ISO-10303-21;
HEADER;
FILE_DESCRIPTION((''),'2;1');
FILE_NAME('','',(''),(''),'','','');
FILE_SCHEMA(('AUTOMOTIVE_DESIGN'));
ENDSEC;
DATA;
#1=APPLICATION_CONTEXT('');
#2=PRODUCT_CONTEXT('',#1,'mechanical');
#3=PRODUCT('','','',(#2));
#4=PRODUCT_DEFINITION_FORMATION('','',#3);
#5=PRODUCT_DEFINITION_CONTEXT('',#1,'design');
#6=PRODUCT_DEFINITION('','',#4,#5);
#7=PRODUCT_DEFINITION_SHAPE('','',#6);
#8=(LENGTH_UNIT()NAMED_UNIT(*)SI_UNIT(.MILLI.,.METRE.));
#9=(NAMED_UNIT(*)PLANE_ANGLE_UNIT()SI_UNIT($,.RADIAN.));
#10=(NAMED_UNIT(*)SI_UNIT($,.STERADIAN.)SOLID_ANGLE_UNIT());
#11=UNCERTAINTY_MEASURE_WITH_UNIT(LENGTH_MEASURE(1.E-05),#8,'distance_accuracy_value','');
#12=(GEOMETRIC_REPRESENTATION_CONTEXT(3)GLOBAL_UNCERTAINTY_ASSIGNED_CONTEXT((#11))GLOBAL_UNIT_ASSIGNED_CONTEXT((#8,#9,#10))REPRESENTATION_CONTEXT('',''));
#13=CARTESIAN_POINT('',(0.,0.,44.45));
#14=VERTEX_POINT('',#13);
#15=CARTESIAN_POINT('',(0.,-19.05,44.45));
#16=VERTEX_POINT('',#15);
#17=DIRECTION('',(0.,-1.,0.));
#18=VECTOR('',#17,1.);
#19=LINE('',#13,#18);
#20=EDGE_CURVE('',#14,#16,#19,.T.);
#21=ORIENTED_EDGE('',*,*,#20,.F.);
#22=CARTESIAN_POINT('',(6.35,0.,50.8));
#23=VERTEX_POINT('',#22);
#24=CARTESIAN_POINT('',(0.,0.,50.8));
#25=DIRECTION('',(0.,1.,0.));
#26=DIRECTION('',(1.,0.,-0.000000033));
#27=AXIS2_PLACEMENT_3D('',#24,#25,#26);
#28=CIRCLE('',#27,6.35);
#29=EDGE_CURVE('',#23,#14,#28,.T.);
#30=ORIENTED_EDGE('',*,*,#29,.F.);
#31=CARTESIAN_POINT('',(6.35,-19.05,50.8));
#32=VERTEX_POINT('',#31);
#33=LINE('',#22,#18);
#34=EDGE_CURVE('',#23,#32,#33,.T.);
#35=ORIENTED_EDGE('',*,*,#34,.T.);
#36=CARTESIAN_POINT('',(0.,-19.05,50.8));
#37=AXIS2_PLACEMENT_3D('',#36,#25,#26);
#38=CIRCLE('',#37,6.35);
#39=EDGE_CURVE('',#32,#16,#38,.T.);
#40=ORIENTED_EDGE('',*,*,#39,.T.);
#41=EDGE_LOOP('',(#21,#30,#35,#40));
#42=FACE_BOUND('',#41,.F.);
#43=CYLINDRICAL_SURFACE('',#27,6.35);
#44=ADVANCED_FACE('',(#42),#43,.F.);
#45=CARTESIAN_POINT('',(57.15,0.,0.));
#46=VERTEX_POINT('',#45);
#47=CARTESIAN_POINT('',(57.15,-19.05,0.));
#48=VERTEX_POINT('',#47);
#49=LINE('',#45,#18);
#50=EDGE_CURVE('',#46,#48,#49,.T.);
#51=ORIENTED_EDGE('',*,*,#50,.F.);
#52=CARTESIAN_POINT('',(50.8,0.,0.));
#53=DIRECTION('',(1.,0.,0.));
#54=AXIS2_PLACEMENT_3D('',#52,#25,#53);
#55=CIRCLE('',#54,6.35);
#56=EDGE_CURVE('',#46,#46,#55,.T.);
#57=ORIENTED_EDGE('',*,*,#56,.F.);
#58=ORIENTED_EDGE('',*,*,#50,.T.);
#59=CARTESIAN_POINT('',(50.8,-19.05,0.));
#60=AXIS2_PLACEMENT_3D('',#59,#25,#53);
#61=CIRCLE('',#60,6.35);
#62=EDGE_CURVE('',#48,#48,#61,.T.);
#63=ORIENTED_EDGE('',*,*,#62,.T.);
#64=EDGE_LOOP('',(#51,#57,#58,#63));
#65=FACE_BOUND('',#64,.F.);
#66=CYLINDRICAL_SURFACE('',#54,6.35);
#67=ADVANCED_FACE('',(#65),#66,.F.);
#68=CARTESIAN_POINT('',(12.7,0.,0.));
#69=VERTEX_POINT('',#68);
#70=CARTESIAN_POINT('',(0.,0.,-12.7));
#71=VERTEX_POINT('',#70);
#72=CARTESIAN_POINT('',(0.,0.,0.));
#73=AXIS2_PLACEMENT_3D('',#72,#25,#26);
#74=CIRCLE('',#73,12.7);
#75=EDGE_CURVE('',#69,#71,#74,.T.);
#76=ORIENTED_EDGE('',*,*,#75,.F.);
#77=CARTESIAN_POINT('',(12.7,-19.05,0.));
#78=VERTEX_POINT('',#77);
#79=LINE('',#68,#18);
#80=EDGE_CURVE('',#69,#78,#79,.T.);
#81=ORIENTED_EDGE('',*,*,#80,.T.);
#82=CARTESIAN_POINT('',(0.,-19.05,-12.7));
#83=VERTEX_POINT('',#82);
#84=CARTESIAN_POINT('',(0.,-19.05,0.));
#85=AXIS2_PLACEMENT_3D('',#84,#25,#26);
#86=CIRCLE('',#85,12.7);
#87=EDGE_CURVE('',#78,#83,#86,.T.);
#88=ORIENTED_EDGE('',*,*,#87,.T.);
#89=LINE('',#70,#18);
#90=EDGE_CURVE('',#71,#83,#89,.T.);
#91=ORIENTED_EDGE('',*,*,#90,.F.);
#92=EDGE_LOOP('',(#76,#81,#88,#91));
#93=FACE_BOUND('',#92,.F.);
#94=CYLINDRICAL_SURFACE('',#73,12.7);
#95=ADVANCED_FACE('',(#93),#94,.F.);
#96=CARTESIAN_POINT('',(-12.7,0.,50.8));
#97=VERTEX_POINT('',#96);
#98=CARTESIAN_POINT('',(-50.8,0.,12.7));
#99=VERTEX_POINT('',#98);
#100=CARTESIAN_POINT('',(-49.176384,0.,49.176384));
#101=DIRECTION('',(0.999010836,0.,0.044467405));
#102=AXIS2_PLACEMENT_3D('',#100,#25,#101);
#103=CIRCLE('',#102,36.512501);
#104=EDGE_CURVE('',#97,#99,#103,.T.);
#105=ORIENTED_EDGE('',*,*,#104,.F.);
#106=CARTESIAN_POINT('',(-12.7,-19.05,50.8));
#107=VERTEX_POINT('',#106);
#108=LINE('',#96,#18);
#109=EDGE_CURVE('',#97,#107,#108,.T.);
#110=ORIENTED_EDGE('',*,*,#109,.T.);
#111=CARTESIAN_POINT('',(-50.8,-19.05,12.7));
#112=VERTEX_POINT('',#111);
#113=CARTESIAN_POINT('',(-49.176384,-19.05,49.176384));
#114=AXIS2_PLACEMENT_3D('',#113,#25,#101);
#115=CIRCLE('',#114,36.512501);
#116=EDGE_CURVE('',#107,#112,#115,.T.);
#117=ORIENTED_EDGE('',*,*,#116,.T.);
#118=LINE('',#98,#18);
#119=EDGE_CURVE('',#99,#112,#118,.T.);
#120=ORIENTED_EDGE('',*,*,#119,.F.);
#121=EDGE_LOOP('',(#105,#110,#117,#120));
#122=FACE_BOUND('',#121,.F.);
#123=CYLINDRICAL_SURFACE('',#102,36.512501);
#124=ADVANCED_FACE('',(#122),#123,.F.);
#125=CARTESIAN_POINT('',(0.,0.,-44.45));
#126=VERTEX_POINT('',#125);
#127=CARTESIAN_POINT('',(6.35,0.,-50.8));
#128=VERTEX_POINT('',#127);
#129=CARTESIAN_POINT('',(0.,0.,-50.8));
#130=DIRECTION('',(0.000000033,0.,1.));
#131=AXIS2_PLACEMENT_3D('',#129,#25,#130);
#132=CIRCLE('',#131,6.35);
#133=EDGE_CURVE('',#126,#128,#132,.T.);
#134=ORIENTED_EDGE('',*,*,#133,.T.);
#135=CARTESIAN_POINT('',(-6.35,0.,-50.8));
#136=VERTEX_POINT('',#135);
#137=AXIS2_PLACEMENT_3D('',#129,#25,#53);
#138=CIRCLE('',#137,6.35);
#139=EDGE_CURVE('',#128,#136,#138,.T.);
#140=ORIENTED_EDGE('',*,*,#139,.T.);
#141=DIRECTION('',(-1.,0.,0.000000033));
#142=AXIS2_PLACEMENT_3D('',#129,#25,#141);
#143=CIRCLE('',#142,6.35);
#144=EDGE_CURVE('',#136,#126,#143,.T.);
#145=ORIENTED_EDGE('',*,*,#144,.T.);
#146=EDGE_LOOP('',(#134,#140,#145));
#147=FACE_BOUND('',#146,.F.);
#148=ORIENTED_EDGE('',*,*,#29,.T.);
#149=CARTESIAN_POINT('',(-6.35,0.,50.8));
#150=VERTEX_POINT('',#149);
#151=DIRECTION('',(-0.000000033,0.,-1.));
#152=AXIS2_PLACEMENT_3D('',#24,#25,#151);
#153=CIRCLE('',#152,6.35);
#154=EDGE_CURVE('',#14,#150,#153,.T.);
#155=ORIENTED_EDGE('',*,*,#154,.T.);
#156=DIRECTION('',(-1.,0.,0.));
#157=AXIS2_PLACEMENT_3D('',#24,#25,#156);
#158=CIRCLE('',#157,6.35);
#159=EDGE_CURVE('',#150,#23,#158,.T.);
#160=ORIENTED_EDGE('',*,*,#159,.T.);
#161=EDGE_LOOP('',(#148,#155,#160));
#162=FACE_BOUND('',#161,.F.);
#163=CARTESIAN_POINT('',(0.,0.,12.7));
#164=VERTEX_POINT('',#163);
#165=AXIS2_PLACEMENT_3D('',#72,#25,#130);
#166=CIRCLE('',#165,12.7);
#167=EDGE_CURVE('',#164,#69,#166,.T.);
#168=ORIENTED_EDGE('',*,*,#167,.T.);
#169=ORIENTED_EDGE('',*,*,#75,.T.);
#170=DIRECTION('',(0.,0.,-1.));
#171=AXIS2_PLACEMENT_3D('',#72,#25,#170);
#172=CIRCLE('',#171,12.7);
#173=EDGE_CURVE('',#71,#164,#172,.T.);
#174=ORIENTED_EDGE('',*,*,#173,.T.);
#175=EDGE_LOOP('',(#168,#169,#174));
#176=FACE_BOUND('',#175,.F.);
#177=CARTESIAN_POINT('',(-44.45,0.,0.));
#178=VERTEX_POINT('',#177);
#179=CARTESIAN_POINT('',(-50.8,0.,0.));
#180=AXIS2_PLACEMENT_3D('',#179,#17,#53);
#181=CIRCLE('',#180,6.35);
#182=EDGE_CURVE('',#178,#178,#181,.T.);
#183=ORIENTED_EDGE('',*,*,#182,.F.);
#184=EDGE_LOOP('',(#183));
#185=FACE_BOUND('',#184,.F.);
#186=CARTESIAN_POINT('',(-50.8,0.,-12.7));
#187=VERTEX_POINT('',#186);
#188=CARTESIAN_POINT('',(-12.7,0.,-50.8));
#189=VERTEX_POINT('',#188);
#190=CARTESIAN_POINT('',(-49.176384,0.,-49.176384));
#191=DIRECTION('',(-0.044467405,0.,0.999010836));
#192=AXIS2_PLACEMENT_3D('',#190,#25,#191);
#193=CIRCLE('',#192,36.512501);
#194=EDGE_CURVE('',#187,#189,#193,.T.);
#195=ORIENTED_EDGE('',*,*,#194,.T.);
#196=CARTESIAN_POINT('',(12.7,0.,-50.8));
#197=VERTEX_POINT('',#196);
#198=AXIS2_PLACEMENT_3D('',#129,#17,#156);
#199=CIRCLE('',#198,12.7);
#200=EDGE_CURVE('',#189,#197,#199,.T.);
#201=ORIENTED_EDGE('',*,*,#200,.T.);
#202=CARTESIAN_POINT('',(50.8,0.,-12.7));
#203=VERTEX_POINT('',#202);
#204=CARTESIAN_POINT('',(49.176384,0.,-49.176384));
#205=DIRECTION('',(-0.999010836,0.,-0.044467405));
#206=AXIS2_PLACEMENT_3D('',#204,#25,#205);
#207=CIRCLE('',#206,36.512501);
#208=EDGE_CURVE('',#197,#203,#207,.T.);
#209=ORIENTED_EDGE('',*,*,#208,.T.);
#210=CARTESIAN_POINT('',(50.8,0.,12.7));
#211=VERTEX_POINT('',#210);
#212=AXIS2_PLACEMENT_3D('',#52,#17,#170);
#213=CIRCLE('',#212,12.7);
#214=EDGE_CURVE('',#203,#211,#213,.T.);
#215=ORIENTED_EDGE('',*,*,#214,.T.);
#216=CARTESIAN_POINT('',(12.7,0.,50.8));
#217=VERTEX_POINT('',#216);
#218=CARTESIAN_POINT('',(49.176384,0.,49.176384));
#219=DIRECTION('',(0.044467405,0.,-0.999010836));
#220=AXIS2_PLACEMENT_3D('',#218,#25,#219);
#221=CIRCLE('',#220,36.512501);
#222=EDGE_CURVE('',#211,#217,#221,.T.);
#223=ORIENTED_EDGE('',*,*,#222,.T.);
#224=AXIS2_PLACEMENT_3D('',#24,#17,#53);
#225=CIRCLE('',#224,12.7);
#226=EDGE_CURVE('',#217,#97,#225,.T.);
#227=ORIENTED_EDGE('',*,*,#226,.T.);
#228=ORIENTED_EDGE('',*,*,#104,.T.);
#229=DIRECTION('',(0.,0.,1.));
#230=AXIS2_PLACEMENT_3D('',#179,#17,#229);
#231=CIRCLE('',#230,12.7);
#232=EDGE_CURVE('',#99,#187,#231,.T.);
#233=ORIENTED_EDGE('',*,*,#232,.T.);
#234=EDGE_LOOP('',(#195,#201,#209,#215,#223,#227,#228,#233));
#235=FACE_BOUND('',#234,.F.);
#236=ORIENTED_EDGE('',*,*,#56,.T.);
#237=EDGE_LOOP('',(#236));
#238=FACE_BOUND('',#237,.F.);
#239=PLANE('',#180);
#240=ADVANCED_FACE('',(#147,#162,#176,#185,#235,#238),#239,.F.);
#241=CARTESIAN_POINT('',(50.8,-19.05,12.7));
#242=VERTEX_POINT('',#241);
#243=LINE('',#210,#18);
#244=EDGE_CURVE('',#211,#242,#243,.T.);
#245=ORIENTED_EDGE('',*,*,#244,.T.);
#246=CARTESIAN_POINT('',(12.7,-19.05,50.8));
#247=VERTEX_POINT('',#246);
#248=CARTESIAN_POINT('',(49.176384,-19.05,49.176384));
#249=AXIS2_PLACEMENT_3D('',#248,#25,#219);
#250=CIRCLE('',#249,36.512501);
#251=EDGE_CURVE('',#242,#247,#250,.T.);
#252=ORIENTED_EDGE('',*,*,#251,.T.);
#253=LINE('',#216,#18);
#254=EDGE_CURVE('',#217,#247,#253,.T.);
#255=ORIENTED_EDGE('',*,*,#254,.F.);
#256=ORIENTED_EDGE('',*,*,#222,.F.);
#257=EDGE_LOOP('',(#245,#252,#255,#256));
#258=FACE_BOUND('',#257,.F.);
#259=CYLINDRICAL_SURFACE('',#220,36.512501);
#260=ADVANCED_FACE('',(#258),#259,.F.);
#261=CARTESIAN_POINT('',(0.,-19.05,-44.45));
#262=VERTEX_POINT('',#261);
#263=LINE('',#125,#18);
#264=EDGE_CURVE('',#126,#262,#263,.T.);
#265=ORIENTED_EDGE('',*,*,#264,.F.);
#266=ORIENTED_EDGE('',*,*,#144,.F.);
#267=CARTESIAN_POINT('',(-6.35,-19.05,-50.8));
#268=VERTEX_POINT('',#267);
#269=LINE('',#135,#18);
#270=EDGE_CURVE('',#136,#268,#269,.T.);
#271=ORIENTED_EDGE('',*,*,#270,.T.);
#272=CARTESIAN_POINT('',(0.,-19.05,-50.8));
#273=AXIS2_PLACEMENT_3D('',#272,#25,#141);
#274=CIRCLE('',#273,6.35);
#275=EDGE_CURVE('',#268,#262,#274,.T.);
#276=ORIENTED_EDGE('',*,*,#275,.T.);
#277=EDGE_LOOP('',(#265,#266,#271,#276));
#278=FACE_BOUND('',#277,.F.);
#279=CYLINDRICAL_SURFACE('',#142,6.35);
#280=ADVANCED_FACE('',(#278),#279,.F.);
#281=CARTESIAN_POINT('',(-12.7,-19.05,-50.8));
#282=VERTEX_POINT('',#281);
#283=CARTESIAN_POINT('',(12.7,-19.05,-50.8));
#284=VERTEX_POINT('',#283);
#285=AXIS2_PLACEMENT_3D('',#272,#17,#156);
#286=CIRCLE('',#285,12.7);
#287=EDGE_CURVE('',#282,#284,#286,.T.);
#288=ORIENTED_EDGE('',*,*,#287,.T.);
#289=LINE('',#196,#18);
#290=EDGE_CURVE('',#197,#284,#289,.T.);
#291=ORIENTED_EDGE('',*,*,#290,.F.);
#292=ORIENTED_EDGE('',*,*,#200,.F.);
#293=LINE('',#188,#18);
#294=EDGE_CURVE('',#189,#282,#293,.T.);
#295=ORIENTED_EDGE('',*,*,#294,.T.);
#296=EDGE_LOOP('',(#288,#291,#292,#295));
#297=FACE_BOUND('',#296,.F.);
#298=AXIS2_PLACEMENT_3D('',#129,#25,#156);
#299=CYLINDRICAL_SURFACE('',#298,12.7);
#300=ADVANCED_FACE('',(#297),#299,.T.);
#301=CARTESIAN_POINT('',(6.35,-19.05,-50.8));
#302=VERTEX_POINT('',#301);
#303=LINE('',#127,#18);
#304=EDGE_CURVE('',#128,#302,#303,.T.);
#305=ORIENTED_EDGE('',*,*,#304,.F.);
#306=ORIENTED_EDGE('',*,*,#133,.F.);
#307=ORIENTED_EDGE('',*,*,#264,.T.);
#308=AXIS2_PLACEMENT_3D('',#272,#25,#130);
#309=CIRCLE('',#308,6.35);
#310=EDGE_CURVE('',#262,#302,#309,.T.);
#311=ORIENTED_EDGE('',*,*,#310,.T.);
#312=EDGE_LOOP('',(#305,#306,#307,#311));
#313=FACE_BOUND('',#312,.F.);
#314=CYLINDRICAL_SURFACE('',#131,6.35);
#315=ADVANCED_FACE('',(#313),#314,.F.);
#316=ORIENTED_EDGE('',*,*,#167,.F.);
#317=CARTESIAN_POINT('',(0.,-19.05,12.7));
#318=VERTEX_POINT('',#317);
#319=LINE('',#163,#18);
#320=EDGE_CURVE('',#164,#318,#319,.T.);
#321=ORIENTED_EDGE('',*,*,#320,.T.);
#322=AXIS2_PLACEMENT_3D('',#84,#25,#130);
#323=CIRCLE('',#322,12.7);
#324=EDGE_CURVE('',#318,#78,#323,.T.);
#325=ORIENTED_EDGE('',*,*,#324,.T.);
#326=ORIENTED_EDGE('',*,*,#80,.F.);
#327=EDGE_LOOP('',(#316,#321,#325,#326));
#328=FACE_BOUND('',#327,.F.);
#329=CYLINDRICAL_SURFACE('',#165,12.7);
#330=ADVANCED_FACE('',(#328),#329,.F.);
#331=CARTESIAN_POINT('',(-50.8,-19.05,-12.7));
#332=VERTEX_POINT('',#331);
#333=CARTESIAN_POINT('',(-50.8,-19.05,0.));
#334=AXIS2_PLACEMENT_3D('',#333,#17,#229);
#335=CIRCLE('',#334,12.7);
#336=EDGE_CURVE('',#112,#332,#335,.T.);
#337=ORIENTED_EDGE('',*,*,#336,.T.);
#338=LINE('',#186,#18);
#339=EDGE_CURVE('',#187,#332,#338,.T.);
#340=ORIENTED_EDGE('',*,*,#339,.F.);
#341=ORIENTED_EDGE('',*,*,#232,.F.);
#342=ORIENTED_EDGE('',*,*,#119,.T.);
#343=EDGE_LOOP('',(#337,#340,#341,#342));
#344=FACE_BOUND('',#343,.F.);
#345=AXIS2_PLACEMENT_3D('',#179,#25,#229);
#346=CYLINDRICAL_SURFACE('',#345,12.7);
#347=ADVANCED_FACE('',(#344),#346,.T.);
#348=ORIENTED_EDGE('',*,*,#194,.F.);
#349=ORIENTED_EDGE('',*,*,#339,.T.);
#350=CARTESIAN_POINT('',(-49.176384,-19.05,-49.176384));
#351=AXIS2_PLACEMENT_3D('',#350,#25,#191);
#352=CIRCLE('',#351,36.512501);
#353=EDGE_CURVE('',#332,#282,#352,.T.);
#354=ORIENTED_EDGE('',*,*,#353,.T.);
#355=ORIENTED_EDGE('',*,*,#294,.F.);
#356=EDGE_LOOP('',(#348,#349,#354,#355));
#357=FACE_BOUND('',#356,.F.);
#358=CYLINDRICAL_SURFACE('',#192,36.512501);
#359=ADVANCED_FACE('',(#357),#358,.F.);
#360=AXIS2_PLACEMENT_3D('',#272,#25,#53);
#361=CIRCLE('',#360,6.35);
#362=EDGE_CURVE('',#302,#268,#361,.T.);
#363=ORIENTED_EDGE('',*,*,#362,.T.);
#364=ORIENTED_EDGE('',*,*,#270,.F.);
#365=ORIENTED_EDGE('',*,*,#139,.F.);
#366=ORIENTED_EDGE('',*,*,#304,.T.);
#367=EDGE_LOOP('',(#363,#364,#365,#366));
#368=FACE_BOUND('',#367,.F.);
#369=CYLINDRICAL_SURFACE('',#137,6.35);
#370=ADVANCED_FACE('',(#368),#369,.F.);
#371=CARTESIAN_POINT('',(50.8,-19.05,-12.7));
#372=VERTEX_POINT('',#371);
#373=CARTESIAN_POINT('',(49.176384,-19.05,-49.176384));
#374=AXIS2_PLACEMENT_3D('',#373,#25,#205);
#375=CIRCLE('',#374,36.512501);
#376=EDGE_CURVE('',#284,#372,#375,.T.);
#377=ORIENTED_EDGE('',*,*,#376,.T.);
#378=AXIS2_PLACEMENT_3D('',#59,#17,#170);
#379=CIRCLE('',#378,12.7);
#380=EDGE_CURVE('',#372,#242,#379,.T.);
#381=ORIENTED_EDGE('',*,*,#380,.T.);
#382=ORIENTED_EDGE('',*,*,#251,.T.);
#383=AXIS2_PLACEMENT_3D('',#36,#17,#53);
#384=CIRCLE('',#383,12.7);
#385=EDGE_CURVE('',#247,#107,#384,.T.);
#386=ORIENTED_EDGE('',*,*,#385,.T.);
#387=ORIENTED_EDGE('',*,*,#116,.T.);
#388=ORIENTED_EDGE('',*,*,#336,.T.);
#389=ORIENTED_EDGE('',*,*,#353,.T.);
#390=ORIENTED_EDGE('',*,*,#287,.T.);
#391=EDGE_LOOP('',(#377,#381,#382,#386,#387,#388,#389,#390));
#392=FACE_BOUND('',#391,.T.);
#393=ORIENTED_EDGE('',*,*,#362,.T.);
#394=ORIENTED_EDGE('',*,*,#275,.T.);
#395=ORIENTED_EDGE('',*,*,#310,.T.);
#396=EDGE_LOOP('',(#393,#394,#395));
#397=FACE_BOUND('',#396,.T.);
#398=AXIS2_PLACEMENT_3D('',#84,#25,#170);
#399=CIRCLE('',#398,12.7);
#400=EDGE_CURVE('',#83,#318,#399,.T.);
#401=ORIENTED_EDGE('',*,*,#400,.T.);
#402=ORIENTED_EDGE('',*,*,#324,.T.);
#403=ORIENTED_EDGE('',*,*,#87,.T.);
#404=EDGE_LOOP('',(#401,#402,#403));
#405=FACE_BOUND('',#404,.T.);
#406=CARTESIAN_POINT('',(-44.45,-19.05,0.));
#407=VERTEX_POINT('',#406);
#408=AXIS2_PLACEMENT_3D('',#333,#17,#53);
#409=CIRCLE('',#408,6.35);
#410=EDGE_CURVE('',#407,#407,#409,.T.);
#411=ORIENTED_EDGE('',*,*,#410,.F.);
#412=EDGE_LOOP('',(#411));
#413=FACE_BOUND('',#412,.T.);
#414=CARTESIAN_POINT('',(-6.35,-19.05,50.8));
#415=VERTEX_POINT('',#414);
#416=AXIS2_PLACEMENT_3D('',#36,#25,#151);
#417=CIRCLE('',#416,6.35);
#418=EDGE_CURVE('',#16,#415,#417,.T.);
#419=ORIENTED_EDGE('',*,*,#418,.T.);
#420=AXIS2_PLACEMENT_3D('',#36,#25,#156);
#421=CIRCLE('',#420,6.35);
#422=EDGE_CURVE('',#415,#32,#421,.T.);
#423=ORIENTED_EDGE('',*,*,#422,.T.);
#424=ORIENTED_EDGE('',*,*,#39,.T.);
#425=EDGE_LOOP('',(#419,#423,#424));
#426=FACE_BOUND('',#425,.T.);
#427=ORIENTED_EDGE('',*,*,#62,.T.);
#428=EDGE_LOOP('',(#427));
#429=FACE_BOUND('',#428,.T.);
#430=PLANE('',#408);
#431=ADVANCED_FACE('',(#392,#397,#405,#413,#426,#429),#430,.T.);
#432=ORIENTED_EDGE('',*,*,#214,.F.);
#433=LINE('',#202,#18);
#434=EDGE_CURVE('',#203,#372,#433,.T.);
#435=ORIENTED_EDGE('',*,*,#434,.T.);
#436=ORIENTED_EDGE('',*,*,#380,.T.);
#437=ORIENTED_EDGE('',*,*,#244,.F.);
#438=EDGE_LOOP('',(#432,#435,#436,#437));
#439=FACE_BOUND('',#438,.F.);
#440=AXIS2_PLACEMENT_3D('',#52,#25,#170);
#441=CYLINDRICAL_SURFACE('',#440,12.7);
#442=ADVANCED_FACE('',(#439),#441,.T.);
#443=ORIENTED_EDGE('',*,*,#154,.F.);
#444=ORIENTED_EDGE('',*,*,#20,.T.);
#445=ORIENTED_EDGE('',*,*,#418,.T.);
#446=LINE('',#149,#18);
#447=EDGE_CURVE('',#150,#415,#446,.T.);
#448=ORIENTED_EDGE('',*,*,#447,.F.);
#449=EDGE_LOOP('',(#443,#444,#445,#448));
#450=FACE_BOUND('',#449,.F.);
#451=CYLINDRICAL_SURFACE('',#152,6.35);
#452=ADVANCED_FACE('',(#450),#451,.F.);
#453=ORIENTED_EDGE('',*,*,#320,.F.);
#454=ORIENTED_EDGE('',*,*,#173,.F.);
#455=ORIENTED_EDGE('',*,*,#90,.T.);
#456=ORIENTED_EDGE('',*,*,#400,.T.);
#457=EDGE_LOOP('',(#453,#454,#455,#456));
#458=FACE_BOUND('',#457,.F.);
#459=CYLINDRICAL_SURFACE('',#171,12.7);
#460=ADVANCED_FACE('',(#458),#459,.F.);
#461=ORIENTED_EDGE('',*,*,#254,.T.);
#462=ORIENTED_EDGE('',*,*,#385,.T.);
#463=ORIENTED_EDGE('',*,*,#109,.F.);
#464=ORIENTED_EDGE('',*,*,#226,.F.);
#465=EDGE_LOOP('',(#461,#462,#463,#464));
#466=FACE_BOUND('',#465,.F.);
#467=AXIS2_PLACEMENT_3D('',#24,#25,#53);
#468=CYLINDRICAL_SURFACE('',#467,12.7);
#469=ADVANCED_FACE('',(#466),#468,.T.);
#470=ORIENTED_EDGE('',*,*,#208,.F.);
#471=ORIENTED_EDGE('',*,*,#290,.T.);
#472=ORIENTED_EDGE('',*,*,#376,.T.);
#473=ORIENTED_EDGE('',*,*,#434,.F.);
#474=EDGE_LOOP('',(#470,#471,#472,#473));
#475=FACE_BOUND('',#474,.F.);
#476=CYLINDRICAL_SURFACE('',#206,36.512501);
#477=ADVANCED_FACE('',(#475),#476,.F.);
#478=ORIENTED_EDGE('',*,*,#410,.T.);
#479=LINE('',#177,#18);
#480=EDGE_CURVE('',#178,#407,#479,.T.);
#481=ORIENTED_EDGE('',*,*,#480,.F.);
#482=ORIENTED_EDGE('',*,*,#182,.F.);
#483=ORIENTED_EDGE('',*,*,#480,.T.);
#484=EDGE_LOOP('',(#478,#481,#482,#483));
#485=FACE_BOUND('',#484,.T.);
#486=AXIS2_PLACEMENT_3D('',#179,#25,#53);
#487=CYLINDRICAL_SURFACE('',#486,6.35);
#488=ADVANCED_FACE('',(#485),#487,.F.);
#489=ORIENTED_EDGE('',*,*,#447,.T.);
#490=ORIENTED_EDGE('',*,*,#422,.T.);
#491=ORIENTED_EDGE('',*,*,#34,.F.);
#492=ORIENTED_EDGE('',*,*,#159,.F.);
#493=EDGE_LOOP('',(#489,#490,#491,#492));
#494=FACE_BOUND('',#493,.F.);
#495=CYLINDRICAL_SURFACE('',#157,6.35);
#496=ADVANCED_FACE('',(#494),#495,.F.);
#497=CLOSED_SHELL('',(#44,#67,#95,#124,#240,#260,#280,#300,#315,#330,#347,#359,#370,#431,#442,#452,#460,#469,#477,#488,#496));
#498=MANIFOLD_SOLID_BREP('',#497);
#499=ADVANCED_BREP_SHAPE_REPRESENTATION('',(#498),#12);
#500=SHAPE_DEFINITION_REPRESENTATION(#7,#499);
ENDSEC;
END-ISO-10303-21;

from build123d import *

# Parameters (mm, degrees)
F0_R     = 6.35
F1_DEPTH = 19.05


with BuildPart() as f1:
    # F0 (on Front) → F1 (new body)
    with BuildSketch(Plane.XZ):
        with Locations((-50.8, 0)):
            Circle(F0_R)
        with BuildLine():
            ThreePointArc((44.45, 0), (50.8, -6.35), (57.15, 0))
            ThreePointArc((57.15, 0), (50.8, 6.35), (44.45, 0))
        make_face()
        with BuildLine():
            ThreePointArc((-12.7, 50.8), (-23.358147, 23.358147), (-50.8, 12.7))
            ThreePointArc((-50.8, 12.7), (-63.5, 0), (-50.8, -12.7))
            ThreePointArc((-50.8, -12.7), (-23.358147, -23.358147), (-12.7, -50.8))
            ThreePointArc((-12.7, -50.8), (0, -63.5), (12.7, -50.8))
            ThreePointArc((12.7, -50.8), (23.358147, -23.358147), (50.8, -12.7))
            ThreePointArc((50.8, -12.7), (63.5, 0), (50.8, 12.7))
            ThreePointArc((50.8, 12.7), (23.358147, 23.358147), (12.7, 50.8))
            ThreePointArc((12.7, 50.8), (0, 63.5), (-12.7, 50.8))
        make_face()
        with BuildLine():
            ThreePointArc((-6.35, -50.8), (-4.490128, -46.309872), (0, -44.45))
            ThreePointArc((0, -44.45), (4.490128, -46.309872), (6.35, -50.8))
            ThreePointArc((6.35, -50.8), (0, -57.15), (-6.35, -50.8))
        make_face(mode=Mode.SUBTRACT)
        with Locations((-50.8, 0)):
            Circle(F0_R, mode=Mode.SUBTRACT)
        with BuildLine():
            ThreePointArc((0, 12.7), (8.980256, 8.980256), (12.7, 0))
            ThreePointArc((12.7, 0), (8.980256, -8.980256), (0, -12.7))
            ThreePointArc((0, -12.7), (-12.7, 0), (0, 12.7))
        make_face(mode=Mode.SUBTRACT)
        with BuildLine():
            ThreePointArc((44.45, 0), (50.8, 6.35), (57.15, 0))
            ThreePointArc((57.15, 0), (50.8, -6.35), (44.45, 0))
        make_face(mode=Mode.SUBTRACT)
        with BuildLine():
            ThreePointArc((6.35, 50.8), (4.490128, 46.309872), (0, 44.45))
            ThreePointArc((0, 44.45), (-4.490128, 46.309872), (-6.35, 50.8))
            ThreePointArc((-6.35, 50.8), (0, 57.15), (6.35, 50.8))
        make_face(mode=Mode.SUBTRACT)
    extrude(amount=F1_DEPTH)


solid = f1.part
